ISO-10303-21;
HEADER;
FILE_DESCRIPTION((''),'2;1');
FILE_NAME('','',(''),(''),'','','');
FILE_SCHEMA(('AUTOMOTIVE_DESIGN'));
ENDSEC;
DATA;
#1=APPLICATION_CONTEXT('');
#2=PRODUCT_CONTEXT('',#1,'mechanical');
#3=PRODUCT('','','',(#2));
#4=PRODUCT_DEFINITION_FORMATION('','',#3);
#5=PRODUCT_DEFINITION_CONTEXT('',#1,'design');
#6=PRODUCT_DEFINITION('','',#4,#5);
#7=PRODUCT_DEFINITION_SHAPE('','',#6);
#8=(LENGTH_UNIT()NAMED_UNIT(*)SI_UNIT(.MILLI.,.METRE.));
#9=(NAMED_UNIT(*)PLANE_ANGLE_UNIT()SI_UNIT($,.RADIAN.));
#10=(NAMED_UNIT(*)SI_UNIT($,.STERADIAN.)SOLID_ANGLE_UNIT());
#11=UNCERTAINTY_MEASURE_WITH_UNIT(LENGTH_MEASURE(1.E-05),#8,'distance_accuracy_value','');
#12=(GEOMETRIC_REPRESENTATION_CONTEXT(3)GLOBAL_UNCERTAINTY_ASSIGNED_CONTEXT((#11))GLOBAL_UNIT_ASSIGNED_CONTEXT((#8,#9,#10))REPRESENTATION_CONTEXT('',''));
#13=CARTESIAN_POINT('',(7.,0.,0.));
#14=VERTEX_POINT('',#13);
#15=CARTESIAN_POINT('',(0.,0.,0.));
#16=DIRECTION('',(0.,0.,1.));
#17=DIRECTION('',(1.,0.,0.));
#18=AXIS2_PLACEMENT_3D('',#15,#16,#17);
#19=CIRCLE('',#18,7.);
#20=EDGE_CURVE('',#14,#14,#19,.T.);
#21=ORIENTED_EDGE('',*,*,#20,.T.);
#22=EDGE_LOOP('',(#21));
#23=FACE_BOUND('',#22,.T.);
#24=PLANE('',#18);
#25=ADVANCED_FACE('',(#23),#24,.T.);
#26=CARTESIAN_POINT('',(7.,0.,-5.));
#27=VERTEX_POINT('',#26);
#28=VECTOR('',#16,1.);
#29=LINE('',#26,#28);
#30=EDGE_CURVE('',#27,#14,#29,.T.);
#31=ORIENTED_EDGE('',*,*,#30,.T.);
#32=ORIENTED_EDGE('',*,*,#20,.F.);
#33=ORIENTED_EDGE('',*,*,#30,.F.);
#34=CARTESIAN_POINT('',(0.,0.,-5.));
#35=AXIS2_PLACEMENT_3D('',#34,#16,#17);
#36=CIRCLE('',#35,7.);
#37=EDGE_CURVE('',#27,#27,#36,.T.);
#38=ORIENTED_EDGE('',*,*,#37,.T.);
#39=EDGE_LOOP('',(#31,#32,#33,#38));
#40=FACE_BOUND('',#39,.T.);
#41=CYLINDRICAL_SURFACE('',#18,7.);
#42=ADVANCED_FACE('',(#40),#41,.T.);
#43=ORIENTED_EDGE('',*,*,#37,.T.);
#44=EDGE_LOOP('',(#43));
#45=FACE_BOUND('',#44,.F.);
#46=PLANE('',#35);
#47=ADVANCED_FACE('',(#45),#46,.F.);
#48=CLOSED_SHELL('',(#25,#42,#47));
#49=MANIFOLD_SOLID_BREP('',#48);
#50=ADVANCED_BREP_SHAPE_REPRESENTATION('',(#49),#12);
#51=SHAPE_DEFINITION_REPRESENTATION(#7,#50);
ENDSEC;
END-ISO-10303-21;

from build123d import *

# Parameters (mm, degrees)
F0_R      = 7
F1_DEPTH  = 5
F2_R      = 7
F3_DEPTH  = 5
F1_FACE_R = 7
F4_DEPTH  = 5


with BuildPart() as f1:
    # F0 (on Top) → F1 (new body)
    with BuildSketch(Plane.XY):
        Circle(F0_R)
    extrude(amount=F1_DEPTH)

    # F2 (on Top) → F3 (join)
    with BuildSketch(Plane.XY):
        Circle(F2_R)
    extrude(amount=-F3_DEPTH)

    # F1_face (on face) → F4 (cut)
    with BuildSketch(Plane.XY.offset(5)):
        Circle(F1_FACE_R)
    extrude(amount=-F4_DEPTH, mode=Mode.SUBTRACT)


solid = f1.part
